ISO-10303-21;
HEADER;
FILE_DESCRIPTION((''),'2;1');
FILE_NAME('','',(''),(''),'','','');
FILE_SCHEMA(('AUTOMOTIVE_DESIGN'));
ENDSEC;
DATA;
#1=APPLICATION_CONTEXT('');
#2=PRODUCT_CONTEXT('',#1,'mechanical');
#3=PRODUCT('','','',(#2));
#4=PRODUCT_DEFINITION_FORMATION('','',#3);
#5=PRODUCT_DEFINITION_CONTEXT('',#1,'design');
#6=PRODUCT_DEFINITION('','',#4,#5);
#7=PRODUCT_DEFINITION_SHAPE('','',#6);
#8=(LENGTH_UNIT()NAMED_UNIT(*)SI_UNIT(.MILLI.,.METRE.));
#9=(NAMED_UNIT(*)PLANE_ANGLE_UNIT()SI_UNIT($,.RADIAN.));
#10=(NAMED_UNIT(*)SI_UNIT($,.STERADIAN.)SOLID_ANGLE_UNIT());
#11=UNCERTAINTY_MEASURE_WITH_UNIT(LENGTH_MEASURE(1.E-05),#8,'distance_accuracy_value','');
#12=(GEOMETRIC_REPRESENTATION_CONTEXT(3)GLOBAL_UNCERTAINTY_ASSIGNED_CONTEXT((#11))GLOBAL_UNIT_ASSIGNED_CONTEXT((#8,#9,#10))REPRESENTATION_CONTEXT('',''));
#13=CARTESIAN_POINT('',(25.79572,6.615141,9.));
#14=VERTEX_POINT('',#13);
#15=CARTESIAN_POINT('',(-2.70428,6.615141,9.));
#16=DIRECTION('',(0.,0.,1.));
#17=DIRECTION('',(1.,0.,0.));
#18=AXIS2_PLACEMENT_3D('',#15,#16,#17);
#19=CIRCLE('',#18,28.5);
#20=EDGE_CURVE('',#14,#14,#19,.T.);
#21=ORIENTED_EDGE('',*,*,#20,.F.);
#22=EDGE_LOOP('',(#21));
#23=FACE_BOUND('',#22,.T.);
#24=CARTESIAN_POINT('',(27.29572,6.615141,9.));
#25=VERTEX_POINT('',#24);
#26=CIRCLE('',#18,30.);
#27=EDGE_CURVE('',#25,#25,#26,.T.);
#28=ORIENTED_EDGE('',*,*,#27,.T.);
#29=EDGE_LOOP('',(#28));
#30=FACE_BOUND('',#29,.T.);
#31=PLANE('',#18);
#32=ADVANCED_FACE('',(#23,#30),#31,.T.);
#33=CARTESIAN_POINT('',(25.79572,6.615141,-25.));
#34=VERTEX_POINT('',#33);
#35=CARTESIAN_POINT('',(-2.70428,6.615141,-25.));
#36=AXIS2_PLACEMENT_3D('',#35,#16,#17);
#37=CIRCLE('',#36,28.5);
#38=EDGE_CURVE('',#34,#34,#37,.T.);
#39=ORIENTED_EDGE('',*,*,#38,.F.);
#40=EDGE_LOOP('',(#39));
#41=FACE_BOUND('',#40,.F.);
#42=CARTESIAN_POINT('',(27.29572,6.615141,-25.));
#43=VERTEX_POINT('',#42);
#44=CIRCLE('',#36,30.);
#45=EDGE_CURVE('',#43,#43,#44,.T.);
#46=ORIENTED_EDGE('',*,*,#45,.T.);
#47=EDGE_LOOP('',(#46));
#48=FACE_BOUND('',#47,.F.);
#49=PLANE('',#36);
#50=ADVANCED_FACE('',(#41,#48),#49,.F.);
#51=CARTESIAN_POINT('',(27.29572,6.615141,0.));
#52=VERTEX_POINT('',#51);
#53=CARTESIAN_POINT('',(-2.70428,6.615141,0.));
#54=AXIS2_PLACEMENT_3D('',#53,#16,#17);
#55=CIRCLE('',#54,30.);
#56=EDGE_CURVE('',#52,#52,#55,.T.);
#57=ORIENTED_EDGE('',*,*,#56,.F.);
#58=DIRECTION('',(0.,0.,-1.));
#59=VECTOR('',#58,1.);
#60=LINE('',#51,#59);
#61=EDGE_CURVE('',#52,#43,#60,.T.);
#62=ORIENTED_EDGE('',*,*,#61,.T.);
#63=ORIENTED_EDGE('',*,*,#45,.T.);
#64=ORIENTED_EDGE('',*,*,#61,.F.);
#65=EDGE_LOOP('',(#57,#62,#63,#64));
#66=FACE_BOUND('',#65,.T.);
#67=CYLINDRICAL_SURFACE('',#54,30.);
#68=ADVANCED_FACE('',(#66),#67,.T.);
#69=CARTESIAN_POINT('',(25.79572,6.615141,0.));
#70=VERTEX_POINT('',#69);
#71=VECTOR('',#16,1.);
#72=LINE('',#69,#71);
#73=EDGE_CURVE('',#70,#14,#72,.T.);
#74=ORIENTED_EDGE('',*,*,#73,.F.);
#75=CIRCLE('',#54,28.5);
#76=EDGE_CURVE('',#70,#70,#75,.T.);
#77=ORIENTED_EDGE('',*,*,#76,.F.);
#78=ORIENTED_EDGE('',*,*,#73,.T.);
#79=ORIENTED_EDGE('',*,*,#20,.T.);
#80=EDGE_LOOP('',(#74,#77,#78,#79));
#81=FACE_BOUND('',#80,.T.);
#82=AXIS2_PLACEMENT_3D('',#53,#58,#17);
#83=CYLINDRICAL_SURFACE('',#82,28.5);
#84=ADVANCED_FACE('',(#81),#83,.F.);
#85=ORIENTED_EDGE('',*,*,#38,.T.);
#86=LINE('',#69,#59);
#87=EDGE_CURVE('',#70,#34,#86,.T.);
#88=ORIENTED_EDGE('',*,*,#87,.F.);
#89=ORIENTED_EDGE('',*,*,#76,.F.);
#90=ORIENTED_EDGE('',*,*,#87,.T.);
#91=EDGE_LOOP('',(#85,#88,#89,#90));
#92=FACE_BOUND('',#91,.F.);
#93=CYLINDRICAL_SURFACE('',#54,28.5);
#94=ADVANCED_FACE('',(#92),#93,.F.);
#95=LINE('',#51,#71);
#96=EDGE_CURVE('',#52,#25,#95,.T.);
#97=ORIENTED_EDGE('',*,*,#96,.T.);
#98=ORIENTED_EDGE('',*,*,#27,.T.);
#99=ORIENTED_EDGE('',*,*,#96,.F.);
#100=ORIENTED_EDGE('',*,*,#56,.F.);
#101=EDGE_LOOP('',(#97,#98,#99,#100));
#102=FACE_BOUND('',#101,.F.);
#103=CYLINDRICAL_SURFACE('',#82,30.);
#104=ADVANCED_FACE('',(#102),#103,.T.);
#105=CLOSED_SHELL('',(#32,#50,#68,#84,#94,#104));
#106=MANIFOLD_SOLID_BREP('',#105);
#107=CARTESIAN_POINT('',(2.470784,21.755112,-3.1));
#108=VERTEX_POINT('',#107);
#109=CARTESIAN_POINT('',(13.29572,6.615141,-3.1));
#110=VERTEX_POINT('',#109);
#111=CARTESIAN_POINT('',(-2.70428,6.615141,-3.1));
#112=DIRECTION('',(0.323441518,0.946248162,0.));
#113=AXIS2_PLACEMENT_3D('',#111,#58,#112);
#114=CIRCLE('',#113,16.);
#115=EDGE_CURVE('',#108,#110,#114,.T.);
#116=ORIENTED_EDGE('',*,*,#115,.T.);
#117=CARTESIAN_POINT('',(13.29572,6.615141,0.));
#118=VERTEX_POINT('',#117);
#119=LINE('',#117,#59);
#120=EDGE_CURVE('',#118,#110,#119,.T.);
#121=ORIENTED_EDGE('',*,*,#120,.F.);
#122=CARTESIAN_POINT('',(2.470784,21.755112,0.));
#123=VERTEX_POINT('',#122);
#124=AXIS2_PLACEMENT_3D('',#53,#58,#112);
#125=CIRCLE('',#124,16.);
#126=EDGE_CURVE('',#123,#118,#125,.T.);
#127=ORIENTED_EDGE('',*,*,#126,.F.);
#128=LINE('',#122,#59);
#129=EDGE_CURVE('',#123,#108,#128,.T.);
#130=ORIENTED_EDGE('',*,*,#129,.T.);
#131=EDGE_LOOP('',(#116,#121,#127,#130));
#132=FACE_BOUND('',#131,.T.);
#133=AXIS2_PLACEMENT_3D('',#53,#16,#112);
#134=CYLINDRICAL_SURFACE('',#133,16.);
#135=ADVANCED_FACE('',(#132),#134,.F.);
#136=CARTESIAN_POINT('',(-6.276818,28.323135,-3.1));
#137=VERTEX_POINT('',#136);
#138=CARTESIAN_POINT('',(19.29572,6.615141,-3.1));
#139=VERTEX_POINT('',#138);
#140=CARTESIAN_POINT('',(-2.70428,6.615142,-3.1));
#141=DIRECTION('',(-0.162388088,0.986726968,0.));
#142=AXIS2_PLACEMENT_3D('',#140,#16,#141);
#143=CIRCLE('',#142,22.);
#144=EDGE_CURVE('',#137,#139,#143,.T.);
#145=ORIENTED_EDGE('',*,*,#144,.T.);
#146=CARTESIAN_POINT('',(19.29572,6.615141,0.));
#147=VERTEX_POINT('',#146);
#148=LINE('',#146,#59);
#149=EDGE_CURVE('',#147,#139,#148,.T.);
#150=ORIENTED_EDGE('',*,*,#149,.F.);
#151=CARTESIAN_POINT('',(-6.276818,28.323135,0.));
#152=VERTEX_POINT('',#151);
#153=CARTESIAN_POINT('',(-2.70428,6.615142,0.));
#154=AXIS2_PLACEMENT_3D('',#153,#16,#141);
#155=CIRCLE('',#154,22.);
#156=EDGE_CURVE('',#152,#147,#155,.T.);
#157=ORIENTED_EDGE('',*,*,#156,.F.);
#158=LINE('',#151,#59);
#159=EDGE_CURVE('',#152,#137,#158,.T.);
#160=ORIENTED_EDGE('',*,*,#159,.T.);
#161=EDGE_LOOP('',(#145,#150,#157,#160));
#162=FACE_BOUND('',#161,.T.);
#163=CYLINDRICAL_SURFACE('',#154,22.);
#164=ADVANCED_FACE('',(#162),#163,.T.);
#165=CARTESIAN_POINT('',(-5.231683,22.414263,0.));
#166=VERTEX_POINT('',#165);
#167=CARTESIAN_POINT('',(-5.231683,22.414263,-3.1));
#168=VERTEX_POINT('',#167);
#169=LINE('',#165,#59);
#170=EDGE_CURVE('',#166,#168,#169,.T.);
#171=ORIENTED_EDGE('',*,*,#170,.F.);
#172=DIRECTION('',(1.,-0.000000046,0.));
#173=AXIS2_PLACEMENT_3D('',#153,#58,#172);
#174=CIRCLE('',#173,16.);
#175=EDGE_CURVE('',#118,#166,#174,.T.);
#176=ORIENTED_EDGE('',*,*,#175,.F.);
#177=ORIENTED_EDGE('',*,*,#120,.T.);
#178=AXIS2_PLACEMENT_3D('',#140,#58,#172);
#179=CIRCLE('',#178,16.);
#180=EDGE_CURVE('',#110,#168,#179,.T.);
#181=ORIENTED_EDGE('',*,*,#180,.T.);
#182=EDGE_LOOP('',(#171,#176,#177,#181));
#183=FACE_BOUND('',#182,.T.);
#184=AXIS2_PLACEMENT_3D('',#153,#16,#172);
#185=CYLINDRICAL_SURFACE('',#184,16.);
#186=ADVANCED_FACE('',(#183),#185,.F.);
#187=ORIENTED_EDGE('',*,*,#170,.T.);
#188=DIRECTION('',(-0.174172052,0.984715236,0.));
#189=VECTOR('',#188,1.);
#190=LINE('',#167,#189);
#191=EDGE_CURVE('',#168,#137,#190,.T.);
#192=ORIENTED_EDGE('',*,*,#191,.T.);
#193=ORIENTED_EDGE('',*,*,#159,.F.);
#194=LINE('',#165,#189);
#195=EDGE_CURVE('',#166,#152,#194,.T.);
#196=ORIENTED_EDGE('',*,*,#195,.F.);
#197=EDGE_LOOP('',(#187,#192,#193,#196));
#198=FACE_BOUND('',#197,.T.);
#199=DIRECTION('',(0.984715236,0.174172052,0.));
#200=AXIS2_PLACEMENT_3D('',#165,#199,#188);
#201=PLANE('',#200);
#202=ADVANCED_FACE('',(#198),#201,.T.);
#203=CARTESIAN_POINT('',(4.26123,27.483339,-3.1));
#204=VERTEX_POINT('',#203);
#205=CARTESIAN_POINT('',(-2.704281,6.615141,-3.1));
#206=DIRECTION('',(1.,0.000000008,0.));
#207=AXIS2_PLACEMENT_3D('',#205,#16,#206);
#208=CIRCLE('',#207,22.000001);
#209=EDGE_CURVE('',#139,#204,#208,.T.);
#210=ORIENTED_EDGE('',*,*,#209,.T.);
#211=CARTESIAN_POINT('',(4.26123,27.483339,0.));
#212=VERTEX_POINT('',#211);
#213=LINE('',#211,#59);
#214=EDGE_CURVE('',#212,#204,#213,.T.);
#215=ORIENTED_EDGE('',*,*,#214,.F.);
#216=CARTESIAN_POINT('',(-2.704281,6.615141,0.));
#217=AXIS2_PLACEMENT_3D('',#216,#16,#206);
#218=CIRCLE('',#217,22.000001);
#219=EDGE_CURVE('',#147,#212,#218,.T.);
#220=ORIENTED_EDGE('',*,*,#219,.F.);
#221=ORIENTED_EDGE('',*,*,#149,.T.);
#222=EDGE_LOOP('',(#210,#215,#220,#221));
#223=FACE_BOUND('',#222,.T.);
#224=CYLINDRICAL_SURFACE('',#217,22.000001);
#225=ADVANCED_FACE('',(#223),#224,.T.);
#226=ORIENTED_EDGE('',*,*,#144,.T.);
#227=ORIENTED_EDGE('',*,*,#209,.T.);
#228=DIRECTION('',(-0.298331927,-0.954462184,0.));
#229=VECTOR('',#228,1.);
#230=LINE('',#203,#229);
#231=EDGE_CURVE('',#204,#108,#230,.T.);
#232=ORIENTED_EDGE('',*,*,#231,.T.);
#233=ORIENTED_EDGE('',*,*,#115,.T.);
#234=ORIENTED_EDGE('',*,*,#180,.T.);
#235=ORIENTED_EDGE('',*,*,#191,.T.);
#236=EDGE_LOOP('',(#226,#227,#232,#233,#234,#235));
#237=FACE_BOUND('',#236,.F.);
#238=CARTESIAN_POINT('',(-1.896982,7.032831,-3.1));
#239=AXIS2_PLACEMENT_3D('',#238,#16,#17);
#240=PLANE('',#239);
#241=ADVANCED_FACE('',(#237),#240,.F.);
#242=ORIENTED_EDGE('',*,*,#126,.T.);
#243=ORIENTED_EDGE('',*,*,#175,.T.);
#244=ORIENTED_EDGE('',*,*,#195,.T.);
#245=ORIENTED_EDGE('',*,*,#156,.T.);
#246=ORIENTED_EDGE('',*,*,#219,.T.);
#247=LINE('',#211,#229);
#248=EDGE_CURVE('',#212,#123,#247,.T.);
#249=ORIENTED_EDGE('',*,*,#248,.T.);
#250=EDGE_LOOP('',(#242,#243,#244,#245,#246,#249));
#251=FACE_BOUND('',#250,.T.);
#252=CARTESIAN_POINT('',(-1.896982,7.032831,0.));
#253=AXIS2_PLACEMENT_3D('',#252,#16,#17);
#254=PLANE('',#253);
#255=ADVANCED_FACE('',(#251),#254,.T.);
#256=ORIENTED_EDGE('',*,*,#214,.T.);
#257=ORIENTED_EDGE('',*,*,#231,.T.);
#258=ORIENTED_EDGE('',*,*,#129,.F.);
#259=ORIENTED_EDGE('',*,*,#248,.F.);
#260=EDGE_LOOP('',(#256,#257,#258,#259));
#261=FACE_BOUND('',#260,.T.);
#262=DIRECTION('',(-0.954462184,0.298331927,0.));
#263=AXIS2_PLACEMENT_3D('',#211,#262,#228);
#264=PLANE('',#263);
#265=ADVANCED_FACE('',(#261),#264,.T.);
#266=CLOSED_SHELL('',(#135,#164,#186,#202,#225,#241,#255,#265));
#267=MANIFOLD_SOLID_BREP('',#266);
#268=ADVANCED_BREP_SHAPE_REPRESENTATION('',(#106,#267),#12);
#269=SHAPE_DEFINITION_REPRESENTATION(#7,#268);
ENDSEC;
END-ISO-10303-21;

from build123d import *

# Parameters (mm, degrees)
F0_R        = 30
F0_R_2      = 28.5
F1_DEPTH    = 25
F2_DEPTH    = 3.1
F1_FACE_R   = 30
F1_FACE_R_2 = 28.5
F3_DEPTH    = 9


with BuildPart() as f1:
    # F0 (on Top) → F1 (new body)
    with BuildSketch(Plane.XY):
        with Locations((-2.70428, 6.615141)):
            Circle(F0_R)
        with Locations((-2.70428, 6.615141)):
            Circle(F0_R_2, mode=Mode.SUBTRACT)
    extrude(amount=-F1_DEPTH)

    # F1_face (on face) → F3 (join)
    with BuildSketch(Plane(origin=(-2.70428, 6.615141, 0), x_dir=(1, 0, 0), z_dir=(0, 0, 1))):
        Circle(F1_FACE_R)
        Circle(F1_FACE_R_2, mode=Mode.SUBTRACT)
    extrude(amount=F3_DEPTH)


with BuildPart() as f2:
    # F0 (on Top) → F2 (new body)
    with BuildSketch(Plane.XY):
        with BuildLine():
            ThreePointArc((-6.276818, 28.323135), (-16.941628, -10.156797), (19.29572, 6.615141))
            ThreePointArc((19.29572, 6.615141), (15.145667, 19.475133), (4.26123, 27.483339))
            Line((4.26123, 27.483339), (2.470784, 21.755112))
            ThreePointArc((2.470784, 21.755112), (10.311115, 15.921026), (13.29572, 6.615141))
            ThreePointArc((13.29572, 6.615141), (-13.086032, -5.55939), (-5.231683, 22.414263))
            Line((-5.231683, 22.414263), (-6.276818, 28.323135))
        make_face()
    extrude(amount=-F2_DEPTH)


solid = Compound([f1.part, f2.part])
